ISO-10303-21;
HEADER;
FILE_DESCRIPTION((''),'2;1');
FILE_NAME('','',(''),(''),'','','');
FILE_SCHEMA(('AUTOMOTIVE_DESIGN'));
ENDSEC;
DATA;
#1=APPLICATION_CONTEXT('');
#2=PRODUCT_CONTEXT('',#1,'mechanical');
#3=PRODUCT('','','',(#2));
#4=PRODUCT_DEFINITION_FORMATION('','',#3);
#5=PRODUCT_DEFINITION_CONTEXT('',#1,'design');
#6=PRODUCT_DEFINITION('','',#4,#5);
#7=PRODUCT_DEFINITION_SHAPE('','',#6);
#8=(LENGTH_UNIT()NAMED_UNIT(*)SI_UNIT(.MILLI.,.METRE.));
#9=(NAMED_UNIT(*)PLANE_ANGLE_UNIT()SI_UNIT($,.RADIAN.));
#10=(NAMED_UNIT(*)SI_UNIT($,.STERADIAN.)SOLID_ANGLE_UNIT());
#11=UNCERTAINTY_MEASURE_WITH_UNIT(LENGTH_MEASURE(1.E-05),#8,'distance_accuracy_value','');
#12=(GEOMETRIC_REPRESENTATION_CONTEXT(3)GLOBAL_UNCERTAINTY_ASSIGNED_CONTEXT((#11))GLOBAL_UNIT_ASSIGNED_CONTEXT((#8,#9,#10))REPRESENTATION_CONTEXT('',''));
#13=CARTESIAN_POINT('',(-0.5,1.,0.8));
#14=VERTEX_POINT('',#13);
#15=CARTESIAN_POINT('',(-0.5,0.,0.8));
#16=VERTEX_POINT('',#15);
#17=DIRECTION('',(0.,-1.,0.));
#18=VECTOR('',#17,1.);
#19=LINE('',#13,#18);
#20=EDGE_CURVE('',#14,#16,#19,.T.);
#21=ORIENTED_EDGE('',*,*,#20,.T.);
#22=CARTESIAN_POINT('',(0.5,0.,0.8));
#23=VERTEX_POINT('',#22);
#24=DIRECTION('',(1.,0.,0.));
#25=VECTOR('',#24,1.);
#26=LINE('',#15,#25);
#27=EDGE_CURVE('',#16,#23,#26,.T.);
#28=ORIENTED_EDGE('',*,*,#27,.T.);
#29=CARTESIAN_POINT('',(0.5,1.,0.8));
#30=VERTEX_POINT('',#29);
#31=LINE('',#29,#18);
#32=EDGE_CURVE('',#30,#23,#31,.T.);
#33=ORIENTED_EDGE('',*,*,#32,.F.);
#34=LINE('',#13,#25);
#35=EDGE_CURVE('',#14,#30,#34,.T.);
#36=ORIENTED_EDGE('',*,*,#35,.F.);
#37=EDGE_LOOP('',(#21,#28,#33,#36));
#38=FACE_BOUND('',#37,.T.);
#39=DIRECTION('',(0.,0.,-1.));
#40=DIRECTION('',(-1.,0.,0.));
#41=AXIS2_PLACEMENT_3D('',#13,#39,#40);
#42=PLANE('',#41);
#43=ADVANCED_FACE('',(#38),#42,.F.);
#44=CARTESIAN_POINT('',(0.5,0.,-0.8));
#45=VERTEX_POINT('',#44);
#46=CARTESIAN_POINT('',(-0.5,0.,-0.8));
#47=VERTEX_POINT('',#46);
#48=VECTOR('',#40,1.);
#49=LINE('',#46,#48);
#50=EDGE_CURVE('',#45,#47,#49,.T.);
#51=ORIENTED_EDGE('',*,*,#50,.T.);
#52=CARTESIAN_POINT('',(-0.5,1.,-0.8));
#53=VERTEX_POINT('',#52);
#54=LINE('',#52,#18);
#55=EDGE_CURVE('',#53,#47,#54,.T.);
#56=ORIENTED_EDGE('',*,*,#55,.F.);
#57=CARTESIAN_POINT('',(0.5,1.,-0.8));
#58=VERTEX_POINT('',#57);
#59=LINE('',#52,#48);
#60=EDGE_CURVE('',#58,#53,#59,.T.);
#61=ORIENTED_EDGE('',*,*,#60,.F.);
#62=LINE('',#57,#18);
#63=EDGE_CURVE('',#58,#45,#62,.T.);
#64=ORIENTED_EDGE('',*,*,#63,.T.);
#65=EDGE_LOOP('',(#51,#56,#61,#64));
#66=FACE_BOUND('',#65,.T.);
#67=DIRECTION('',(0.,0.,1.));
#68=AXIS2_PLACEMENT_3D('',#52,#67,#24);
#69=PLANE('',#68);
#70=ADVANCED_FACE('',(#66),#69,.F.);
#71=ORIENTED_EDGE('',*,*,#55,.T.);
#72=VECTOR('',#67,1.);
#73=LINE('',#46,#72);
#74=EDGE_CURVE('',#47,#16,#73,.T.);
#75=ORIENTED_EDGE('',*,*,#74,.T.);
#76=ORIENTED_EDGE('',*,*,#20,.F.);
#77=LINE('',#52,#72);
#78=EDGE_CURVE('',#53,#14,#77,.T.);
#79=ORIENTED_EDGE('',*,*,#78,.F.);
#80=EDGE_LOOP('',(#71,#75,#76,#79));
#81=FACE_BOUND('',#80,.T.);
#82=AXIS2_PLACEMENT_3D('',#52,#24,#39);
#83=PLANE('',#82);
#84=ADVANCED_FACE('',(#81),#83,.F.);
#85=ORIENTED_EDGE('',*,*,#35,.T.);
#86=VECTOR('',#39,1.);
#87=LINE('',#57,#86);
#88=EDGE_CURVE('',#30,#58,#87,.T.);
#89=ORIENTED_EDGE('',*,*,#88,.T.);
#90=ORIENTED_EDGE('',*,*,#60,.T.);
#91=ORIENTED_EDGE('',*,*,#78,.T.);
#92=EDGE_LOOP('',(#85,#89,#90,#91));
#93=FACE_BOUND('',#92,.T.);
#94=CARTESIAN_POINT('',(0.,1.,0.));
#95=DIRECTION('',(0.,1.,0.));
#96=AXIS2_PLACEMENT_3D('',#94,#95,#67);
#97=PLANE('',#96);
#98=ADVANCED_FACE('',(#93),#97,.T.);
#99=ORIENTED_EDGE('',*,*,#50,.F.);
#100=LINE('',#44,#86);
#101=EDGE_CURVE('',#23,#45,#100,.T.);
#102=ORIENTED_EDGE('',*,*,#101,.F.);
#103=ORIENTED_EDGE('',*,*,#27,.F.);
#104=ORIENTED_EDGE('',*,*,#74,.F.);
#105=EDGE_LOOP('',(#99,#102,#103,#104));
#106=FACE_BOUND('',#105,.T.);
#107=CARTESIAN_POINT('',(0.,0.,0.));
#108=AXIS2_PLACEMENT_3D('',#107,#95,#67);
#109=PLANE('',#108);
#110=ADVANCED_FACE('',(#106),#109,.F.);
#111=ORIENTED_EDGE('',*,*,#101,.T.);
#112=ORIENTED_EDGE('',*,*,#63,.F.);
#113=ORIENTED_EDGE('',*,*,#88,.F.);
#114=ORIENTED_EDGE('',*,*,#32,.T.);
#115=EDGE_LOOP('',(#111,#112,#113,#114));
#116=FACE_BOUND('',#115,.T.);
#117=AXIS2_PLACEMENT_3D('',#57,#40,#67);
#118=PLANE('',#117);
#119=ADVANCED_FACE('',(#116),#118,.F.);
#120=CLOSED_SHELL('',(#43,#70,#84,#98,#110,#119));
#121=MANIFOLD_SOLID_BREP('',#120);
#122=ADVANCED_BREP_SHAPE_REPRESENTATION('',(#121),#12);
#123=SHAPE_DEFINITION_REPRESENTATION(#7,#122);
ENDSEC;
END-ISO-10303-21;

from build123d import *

# Parameters (mm, degrees)
BASES_W    = 1
BASES_H    = 1.6
BASE_DEPTH = 1


with BuildPart() as part:
    # BaseS → Base (new body)
    with BuildSketch(Plane(origin=(0, 0, 0), x_dir=(1, 0, 0), z_dir=(0, 1, 0))):
        Rectangle(BASES_W, BASES_H)
    extrude(amount=BASE_DEPTH)


solid = part.part
